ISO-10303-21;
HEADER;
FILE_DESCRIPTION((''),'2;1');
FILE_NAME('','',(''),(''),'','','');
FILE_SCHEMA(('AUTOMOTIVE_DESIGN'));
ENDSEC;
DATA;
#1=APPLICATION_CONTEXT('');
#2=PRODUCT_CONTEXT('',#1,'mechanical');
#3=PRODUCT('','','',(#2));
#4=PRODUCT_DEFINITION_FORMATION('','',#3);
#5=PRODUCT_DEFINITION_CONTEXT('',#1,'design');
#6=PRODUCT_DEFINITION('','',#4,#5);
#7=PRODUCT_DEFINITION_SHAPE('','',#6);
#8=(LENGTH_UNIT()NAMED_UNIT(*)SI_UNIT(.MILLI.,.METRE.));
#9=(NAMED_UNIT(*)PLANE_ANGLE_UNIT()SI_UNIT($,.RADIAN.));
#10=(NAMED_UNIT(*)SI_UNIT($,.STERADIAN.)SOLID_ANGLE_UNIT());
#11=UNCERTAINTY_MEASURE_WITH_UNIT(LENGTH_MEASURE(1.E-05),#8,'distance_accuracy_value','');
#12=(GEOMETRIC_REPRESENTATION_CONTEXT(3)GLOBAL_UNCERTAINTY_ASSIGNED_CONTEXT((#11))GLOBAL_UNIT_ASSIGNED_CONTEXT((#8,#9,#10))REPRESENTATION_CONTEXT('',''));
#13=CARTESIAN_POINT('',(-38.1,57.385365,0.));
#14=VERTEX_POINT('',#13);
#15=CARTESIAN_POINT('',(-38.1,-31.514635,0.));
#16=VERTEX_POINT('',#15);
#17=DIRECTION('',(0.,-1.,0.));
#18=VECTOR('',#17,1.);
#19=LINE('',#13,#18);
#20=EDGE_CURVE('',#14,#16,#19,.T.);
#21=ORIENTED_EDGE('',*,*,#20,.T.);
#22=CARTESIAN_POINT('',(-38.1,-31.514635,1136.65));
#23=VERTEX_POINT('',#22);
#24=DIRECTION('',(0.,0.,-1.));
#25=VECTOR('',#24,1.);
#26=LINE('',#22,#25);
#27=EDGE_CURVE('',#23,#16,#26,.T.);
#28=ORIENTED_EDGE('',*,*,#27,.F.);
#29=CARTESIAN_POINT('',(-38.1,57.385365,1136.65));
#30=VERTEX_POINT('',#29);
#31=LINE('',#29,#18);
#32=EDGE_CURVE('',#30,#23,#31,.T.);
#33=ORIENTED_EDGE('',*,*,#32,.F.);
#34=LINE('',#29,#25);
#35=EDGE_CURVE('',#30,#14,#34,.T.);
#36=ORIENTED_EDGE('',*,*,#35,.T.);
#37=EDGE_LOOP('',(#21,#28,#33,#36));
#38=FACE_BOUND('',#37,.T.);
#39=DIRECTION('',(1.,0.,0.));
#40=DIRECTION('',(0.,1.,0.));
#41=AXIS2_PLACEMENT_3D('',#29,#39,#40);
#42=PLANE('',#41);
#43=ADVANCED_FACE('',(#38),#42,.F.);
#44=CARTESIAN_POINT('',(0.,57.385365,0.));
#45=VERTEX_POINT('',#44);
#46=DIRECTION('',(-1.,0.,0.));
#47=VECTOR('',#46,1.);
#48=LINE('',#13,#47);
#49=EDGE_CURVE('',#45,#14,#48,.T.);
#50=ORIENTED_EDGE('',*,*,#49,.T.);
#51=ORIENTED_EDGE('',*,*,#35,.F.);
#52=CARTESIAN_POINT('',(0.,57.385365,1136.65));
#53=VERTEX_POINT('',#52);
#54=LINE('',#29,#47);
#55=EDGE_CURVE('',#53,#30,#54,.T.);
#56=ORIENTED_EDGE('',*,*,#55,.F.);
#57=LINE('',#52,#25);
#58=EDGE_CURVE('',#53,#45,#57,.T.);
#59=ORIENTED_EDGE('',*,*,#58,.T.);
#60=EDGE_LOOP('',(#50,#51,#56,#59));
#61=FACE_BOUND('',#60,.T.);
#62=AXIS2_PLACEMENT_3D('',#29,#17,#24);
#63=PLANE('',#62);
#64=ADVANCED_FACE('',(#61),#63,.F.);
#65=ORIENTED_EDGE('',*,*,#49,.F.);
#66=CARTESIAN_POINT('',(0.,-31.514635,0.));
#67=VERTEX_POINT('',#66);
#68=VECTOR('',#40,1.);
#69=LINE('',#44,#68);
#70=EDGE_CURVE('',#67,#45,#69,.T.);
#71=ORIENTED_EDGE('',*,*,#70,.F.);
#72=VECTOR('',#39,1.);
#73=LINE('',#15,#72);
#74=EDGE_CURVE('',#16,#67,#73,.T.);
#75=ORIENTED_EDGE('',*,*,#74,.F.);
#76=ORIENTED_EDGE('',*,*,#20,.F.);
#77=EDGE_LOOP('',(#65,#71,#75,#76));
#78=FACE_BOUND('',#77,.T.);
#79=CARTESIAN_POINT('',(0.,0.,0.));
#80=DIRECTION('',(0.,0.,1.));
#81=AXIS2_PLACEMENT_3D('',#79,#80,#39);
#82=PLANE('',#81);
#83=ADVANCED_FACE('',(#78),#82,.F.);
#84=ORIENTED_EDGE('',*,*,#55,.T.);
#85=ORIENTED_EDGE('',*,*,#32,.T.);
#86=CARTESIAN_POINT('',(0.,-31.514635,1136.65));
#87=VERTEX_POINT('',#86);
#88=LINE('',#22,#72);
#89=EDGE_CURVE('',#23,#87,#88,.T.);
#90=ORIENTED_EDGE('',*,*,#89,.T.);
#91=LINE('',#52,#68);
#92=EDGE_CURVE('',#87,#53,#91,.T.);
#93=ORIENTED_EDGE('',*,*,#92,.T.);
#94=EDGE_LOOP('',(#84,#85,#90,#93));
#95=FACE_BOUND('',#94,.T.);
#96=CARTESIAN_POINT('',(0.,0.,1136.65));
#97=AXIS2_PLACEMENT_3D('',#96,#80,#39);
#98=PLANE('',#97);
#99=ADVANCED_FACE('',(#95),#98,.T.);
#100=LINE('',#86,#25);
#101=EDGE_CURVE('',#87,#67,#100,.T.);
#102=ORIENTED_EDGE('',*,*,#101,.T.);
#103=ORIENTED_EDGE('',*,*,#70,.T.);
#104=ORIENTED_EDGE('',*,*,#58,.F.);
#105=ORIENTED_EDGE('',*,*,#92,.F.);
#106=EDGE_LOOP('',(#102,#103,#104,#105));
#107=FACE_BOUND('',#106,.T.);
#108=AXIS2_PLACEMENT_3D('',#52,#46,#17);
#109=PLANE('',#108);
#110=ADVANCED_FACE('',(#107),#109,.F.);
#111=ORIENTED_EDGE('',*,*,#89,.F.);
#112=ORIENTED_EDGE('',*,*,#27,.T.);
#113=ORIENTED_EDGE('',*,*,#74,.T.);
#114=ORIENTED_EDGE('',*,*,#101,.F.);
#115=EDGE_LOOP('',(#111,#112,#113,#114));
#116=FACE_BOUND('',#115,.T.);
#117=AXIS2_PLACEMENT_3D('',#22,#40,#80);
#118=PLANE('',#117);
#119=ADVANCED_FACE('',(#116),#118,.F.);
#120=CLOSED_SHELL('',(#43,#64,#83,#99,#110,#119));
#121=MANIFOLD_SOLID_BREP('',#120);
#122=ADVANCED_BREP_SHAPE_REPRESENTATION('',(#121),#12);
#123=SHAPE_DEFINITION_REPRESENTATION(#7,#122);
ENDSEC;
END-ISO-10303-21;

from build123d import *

# Parameters (mm, degrees)
SKETCH1_W           = 38.1
SKETCH1_H           = 88.9
BOSS_EXTRUDE1_DEPTH = 1136.65


with BuildPart() as part:
    # Sketch1 → Boss-Extrude1 (new body)
    with BuildSketch(Plane.XY):
        with Locations((-19.05, 12.935364734)):
            Rectangle(SKETCH1_W, SKETCH1_H)
    extrude(amount=BOSS_EXTRUDE1_DEPTH)


solid = part.part
